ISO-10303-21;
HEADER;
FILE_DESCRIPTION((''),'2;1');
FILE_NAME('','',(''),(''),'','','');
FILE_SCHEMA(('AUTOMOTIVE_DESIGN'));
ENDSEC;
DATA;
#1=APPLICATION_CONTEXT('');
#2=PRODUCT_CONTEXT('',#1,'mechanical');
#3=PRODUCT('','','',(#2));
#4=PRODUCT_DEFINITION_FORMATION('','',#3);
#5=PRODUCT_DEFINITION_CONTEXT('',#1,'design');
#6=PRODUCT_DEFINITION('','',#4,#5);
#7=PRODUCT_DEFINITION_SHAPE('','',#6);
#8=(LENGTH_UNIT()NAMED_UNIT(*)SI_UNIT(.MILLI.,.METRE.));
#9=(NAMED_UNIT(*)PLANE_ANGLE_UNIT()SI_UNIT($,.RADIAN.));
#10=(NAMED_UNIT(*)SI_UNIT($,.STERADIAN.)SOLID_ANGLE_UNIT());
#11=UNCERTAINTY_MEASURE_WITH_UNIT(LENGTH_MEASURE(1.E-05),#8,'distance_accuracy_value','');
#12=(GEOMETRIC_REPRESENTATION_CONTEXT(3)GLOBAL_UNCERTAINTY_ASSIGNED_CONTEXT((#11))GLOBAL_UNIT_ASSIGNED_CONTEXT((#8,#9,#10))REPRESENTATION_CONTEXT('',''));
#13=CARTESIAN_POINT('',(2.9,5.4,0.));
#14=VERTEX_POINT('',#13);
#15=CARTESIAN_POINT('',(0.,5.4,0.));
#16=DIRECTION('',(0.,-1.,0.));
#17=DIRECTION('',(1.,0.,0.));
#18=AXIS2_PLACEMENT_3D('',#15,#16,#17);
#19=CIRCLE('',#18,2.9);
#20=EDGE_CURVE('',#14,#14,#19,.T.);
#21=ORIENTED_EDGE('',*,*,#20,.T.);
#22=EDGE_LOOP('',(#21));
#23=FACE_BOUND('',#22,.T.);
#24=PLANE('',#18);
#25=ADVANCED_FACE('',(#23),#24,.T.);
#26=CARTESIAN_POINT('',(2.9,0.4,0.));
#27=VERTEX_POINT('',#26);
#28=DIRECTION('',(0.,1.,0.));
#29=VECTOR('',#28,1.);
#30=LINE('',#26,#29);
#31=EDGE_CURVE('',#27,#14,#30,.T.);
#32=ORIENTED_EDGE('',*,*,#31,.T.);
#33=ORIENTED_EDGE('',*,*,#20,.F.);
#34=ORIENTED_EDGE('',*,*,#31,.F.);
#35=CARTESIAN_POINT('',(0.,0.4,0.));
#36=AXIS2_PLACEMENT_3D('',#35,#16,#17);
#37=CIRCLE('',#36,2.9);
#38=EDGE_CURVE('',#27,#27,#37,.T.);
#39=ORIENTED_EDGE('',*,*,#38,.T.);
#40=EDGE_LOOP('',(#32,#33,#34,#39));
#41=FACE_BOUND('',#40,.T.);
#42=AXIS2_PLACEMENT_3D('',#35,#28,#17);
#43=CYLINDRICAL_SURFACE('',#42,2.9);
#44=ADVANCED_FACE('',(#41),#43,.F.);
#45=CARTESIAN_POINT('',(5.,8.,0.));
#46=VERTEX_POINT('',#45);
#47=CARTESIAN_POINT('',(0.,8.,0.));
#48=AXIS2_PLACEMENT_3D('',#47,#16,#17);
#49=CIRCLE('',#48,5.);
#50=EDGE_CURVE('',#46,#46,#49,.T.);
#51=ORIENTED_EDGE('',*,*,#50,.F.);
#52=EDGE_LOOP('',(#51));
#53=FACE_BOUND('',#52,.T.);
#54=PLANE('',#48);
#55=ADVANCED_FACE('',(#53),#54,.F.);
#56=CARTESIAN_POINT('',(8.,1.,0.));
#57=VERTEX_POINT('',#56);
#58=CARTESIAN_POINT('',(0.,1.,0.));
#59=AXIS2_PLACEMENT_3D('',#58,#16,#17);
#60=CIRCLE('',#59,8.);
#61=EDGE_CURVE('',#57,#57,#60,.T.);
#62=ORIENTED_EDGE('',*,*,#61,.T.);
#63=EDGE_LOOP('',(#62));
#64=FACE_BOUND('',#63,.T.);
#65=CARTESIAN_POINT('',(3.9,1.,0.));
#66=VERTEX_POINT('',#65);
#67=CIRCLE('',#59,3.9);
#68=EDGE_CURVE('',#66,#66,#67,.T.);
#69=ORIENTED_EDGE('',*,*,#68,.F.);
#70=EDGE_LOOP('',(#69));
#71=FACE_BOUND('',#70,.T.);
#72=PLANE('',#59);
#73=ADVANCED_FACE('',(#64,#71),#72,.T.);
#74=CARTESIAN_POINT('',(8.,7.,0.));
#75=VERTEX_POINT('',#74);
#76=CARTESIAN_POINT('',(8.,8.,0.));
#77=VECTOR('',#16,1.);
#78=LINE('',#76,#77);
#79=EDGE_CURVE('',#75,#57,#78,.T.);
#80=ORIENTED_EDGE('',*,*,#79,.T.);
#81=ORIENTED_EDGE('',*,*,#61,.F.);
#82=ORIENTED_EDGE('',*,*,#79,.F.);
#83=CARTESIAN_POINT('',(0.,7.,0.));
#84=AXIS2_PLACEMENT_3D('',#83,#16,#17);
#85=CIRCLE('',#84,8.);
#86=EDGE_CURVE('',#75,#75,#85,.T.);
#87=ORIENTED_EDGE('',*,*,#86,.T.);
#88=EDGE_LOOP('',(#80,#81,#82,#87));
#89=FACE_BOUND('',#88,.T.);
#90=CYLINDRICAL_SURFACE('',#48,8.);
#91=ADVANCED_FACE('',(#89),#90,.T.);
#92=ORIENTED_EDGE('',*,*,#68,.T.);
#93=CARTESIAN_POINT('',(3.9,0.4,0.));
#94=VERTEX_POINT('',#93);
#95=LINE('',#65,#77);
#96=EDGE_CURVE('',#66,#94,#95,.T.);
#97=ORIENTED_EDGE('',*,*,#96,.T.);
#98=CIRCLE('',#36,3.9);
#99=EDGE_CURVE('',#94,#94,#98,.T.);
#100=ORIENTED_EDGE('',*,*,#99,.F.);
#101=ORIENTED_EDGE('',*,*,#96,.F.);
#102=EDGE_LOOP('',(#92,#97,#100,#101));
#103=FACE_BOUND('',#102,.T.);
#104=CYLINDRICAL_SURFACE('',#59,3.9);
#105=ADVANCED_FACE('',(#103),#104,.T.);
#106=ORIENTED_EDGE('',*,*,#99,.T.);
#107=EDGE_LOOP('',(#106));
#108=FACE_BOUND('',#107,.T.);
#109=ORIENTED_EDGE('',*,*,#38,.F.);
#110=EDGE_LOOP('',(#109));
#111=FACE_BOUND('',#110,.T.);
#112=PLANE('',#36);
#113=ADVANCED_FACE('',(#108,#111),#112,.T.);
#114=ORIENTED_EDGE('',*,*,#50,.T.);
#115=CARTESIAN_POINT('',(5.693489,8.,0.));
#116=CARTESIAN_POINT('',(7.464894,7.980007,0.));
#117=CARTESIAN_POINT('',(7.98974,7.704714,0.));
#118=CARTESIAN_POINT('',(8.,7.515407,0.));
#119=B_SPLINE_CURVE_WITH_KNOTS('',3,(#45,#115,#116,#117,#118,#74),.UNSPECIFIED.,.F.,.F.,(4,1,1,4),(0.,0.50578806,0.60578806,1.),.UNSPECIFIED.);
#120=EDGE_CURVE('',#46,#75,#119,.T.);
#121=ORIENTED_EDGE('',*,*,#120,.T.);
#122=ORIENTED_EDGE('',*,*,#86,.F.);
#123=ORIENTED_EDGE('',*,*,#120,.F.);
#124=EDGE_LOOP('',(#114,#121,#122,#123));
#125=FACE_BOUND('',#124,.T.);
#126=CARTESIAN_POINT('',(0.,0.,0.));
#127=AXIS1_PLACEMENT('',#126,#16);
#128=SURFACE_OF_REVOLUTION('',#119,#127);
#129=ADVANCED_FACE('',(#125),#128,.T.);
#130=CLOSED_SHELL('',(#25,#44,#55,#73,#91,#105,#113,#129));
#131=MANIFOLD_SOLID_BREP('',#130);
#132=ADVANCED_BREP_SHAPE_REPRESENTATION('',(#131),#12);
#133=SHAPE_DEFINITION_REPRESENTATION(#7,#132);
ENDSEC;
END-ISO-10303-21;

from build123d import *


with BuildPart() as part:
    # 草图1 → 旋转1 (revolve)
    with BuildSketch(Plane.XY):
        Polygon((0, 8), (8, 8), (8, 1), (3.9, 1), (3.9, 0.4), (2.9, 0.4), (2.9, 5.4), (0, 5.4), align=None)
    revolve(axis=Axis((0, 8, 0), (0, -1, 0)))

    # 草图2 → 切除-旋转1 (revolve, cut)
    with BuildSketch(Plane.XY):
        with BuildLine():
            Line((5, 8), (8, 8))
            Line((8, 8), (8, 7))
            add(Edge.make_bspline(
                [(5, 8), (5.693488859, 8), (7.464893787, 7.980007099), (7.989740211, 7.704714141), (8, 7.515407368), (8, 7)],
                knots=[0, 0, 0, 0, 0.50578806, 0.60578806, 1, 1, 1, 1], degree=3))
        make_face()
    revolve(axis=Axis((0, 0, 0), (0, -1, 0)), mode=Mode.SUBTRACT)


solid = part.part
